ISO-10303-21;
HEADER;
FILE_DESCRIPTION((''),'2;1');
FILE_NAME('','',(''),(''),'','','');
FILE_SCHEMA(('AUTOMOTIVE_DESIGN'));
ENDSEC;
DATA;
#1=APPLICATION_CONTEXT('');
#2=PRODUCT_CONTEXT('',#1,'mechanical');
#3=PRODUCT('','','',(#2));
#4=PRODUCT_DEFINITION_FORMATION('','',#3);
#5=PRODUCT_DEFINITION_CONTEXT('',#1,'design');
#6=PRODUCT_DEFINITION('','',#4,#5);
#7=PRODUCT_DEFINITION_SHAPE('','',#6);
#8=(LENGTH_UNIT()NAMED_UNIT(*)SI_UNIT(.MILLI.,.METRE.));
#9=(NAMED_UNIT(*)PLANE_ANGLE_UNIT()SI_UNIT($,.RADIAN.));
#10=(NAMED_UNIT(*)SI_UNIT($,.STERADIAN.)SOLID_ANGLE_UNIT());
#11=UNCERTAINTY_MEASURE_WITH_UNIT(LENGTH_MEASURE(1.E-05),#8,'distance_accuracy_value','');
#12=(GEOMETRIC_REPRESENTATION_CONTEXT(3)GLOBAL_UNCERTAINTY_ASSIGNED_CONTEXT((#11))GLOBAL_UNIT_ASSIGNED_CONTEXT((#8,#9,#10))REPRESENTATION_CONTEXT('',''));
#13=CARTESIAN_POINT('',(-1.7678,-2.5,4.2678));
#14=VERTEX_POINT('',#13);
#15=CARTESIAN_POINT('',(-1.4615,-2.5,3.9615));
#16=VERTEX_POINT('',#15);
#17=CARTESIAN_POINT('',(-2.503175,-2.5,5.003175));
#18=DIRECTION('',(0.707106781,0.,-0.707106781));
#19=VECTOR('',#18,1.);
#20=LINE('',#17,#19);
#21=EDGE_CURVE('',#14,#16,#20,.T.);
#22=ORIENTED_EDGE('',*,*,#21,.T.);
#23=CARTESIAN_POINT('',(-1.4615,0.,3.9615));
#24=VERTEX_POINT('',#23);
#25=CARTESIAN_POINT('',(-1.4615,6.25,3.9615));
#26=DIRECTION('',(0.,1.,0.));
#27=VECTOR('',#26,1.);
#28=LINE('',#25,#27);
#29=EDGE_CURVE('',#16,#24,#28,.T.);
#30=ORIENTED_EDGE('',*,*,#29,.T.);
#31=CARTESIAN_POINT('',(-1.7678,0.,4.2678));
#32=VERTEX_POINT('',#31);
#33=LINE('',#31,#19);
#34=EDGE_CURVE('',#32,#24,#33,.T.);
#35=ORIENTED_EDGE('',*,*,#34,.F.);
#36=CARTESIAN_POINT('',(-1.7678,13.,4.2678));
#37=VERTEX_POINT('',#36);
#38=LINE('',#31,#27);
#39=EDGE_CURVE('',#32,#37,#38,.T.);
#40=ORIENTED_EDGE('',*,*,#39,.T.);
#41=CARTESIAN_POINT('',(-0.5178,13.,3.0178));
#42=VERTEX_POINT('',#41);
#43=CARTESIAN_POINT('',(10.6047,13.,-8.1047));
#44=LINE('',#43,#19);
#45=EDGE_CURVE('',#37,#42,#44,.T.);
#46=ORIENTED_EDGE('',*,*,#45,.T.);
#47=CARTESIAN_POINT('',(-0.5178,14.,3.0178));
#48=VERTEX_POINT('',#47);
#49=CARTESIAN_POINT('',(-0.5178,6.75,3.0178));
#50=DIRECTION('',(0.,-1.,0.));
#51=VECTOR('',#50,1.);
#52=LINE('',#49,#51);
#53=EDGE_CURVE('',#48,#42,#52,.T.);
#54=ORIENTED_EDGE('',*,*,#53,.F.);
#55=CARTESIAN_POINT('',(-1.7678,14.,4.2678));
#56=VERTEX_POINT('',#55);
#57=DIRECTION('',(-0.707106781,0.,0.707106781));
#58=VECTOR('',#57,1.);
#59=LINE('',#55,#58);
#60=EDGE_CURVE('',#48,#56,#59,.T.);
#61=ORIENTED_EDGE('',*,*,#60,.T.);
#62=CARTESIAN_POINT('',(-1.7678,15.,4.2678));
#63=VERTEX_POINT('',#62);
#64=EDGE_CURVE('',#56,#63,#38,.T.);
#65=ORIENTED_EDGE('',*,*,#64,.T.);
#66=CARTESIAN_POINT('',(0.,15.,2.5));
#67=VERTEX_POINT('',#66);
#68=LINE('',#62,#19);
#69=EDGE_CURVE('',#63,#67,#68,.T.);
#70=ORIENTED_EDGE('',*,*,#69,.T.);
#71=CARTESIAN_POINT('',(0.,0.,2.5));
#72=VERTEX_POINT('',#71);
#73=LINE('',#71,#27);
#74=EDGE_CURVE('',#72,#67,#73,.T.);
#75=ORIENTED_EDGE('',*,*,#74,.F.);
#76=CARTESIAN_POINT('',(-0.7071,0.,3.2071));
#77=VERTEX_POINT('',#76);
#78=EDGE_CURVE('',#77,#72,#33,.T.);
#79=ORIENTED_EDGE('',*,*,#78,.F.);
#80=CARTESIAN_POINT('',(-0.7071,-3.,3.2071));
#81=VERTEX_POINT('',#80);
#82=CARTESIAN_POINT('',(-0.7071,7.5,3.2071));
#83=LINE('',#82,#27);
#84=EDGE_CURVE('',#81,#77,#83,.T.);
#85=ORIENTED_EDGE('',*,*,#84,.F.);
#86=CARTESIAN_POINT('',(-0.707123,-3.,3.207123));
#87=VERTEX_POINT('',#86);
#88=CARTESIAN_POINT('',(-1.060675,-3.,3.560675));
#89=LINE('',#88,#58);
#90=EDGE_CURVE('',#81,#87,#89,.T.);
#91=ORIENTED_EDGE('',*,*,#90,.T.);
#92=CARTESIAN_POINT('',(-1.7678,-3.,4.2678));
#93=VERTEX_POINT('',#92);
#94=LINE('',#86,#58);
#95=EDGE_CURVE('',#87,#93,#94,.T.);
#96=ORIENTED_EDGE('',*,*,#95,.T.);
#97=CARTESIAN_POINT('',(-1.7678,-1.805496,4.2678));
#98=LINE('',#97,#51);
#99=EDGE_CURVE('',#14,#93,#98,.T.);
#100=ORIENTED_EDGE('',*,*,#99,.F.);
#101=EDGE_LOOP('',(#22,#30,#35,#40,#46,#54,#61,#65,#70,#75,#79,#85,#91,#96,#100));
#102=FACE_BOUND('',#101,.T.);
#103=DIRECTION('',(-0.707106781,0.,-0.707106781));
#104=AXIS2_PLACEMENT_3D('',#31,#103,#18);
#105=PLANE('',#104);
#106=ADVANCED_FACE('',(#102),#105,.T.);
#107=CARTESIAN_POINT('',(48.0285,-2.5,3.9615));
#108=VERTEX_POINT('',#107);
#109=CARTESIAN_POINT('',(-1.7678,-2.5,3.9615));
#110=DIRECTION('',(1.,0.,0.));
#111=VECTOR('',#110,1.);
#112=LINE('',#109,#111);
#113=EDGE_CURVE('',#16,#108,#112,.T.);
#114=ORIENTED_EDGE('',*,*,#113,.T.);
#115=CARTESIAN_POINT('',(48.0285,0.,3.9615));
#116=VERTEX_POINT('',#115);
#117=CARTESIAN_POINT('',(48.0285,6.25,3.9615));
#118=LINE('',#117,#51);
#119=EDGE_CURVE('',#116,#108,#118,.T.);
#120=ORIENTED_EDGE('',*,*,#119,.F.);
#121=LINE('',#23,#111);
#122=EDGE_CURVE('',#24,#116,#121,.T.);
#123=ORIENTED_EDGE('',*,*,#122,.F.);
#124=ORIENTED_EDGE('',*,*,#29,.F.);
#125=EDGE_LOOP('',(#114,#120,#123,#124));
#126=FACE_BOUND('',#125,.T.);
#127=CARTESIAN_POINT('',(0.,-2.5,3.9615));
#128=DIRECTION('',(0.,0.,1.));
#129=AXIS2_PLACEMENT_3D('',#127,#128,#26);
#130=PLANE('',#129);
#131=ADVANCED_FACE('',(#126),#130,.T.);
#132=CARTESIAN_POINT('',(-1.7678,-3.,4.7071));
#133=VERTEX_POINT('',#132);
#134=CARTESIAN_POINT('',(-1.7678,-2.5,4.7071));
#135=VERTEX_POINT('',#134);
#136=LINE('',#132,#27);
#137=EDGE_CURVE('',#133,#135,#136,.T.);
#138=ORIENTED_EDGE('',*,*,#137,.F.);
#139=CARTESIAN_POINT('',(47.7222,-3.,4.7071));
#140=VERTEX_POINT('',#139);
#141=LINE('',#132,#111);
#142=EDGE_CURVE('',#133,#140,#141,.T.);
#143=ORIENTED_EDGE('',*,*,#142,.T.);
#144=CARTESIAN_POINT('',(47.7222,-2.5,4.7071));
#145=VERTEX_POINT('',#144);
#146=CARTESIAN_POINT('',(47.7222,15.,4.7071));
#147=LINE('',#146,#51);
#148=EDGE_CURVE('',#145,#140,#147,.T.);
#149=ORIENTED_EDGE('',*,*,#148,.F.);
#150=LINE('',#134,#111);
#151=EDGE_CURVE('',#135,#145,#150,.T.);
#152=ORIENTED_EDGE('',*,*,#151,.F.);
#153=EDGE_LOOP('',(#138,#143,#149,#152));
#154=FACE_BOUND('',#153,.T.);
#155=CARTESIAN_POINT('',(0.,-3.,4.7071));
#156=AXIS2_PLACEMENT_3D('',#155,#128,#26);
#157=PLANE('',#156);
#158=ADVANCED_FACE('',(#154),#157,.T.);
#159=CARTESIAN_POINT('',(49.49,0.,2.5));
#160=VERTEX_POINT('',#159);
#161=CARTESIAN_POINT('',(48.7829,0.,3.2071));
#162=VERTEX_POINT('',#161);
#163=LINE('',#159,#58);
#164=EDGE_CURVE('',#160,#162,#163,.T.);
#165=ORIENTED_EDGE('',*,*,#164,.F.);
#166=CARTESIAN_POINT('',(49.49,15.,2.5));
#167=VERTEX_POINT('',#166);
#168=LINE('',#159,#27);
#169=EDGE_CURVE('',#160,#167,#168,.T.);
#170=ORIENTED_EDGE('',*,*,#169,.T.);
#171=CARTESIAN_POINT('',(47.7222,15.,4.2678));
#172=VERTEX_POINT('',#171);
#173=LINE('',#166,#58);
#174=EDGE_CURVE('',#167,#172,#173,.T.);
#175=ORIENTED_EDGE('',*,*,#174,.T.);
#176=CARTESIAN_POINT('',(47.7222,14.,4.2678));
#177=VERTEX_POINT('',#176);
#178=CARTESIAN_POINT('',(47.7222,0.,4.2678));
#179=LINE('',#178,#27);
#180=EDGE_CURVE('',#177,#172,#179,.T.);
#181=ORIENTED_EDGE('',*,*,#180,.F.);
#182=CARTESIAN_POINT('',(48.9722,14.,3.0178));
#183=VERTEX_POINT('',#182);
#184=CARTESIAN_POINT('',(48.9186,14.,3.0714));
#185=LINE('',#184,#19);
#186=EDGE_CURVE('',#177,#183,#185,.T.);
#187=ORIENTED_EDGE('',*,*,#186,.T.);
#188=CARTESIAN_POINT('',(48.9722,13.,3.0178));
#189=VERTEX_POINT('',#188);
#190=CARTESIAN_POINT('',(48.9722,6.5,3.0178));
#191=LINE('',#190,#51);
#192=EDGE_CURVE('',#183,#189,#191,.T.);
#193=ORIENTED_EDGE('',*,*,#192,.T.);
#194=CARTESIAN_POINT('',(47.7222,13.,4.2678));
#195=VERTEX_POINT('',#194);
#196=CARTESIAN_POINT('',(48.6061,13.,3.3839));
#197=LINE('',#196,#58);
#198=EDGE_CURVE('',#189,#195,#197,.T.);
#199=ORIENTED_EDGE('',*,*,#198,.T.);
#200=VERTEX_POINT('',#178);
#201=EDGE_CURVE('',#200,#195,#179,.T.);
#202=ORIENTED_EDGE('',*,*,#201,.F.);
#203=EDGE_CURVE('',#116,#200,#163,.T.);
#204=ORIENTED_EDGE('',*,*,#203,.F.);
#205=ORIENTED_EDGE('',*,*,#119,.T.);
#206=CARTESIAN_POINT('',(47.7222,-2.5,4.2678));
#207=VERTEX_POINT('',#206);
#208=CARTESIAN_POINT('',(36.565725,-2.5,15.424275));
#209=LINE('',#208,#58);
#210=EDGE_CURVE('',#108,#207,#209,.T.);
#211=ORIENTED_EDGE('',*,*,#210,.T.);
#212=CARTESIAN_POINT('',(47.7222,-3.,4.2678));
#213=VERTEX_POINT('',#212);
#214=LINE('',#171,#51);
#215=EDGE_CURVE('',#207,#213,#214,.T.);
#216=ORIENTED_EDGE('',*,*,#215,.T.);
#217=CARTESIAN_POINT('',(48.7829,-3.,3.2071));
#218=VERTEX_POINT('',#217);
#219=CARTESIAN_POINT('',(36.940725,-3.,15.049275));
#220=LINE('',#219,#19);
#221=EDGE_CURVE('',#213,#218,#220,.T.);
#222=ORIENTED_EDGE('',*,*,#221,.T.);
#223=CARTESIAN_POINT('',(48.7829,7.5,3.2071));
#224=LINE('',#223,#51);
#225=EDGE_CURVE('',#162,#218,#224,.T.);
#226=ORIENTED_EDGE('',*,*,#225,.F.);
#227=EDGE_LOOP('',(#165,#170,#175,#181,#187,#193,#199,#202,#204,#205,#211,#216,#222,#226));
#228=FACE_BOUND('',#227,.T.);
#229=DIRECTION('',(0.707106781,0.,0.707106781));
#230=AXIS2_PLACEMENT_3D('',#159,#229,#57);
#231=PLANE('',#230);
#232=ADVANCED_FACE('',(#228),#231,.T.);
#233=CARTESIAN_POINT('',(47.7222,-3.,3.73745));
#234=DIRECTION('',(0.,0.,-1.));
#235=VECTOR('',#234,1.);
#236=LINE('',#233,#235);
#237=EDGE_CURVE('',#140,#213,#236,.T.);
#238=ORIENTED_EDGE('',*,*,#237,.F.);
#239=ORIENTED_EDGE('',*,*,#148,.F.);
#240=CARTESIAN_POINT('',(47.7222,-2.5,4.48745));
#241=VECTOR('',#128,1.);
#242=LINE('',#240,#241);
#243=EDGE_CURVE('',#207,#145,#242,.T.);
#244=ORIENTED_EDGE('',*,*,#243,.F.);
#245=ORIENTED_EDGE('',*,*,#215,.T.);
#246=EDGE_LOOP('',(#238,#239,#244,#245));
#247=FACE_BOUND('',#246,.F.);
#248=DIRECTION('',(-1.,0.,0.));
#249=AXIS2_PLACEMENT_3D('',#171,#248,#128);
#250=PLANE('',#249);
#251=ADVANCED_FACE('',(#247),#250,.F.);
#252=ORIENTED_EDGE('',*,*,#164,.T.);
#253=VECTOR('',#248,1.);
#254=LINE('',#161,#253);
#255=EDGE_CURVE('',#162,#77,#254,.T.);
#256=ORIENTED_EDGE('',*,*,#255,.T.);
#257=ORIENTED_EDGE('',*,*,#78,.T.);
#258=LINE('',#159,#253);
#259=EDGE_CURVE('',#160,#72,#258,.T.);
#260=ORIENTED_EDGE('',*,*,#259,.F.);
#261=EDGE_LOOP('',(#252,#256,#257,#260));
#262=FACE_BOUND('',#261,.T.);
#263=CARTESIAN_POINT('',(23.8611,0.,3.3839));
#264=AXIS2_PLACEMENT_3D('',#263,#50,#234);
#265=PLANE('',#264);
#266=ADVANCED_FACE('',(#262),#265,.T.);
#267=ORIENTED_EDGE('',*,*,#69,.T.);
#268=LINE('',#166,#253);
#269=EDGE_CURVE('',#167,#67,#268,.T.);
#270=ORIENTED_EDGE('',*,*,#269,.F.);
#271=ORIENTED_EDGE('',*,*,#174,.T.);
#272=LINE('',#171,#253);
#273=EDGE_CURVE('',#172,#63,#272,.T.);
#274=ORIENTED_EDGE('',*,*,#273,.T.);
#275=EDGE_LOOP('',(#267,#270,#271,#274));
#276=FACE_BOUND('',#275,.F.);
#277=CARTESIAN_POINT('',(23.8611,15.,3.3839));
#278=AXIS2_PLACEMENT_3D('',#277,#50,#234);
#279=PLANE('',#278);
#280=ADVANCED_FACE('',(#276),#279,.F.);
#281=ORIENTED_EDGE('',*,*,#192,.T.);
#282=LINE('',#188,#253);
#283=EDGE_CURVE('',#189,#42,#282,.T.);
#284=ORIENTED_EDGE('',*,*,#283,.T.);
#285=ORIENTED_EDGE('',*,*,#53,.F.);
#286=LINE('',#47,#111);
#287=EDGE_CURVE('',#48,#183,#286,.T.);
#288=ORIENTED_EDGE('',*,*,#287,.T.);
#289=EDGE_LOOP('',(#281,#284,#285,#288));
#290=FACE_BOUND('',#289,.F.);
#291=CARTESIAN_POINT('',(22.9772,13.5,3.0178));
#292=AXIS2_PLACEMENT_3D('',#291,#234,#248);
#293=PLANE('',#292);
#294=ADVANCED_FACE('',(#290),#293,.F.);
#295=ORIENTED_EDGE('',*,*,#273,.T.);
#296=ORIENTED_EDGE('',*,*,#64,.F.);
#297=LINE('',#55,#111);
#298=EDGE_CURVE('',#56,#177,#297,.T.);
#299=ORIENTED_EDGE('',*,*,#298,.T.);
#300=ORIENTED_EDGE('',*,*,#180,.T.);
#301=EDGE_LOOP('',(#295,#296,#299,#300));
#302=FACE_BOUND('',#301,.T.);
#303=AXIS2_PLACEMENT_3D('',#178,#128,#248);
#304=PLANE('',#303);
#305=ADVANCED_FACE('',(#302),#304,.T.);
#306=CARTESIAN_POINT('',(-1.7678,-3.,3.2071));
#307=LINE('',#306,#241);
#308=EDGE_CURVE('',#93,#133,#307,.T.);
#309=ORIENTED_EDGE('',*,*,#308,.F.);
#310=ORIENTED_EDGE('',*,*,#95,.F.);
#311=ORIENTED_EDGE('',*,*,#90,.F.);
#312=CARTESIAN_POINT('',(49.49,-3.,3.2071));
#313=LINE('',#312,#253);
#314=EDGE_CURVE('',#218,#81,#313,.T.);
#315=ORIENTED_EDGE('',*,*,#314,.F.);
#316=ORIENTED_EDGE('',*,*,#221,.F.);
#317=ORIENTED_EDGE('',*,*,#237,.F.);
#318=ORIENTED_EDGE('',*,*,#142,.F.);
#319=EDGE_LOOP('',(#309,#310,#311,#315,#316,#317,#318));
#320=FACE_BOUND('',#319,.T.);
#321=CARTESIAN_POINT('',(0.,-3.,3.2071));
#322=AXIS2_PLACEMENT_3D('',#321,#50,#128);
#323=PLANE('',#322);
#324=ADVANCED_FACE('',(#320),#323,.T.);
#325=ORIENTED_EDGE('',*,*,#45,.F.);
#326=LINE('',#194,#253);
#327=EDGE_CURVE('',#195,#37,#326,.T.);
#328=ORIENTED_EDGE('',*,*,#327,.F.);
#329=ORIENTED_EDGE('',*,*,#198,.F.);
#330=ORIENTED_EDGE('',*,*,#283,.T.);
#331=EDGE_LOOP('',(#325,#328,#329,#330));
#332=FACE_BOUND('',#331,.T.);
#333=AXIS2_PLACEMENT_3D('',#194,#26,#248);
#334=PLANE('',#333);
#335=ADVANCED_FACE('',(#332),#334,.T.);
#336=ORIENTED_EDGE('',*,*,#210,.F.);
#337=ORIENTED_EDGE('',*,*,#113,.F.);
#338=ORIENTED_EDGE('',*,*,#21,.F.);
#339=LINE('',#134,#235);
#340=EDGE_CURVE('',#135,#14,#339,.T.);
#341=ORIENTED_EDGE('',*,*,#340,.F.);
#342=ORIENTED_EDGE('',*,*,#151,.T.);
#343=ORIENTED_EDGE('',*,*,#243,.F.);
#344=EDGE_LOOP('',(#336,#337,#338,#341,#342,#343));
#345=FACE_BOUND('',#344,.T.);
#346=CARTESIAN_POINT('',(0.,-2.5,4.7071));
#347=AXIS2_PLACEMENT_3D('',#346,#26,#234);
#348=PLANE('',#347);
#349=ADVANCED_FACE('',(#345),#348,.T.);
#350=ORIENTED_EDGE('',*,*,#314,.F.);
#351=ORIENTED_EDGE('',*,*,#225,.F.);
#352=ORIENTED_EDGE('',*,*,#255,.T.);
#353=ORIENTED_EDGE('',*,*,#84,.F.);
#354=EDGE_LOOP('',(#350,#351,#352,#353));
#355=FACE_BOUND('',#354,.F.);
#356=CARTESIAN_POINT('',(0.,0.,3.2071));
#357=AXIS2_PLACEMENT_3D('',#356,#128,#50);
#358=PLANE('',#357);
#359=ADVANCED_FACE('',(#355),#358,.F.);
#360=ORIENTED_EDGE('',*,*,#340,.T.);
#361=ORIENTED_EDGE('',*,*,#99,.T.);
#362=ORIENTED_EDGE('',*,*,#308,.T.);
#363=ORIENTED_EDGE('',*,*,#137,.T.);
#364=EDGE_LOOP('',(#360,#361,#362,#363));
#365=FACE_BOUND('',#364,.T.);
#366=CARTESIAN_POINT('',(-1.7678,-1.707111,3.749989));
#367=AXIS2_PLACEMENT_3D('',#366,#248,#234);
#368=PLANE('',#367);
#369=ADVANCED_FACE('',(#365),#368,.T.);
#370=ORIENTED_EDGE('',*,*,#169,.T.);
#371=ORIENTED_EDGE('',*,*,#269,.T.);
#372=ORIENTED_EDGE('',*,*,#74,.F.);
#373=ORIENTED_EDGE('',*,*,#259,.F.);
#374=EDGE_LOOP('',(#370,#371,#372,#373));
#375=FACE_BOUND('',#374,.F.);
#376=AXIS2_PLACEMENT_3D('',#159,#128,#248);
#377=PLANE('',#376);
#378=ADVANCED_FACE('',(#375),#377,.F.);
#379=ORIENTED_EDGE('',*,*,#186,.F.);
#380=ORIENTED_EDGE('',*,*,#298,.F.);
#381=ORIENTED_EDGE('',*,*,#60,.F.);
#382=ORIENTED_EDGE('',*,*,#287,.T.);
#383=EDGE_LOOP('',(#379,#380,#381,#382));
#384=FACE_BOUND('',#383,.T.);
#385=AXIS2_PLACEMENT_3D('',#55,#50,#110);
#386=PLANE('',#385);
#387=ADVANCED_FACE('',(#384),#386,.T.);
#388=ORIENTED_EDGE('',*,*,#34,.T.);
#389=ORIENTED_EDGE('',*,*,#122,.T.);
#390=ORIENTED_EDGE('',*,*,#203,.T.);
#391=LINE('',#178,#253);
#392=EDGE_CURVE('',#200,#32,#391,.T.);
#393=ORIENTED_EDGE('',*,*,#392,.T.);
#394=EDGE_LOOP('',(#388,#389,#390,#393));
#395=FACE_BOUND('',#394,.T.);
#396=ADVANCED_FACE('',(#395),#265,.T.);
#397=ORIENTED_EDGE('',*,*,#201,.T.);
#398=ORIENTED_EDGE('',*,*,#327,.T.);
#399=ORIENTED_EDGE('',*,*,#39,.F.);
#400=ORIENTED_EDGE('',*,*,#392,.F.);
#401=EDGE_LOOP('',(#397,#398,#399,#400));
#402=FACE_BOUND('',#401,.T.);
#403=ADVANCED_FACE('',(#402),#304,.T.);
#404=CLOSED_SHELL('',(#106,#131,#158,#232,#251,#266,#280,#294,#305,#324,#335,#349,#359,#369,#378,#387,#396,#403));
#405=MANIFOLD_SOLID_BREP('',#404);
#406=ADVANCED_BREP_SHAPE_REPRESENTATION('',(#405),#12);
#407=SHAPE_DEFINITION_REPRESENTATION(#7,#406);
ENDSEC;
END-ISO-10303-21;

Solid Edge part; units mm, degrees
sketch "Sketch1" plane through (0, 0, 0) normal (0, -1, 0) x (1, 0, 0)
  line L0 (47.7222, 4.2678) -> (-1.7678, 4.2678)
  line L1 (-1.7678, 4.2678) -> (0, 2.5)
  line L2 (49.49, 2.5) -> (0, 2.5)
  line L3 (49.49, 2.5) -> (47.7222, 4.2678)
extrude "Protrusion1" add sketch "Sketch1" against normal blind 15
sketch "Sketch2" plane through (22.9772, 7.5, 4.2678) normal (0, 0, 1) x (1, 0, 0)
  line L0 (-24.745, 5.5) -> (-24.745, 6.5)
  line L1 (-24.745, 6.5) -> (24.745, 6.5)
  line L2 (24.745, 6.5) -> (24.745, 5.5)
  line L3 (24.745, 5.5) -> (-24.745, 5.5)
extrude "Vyříznutí_1" cut sketch "Sketch2" against normal blind 1.25
sketch "Sketch3" plane through (47.7222, 13.5, 3.6428) normal (-1, 0, 0) x (0, 0, 1)
  line L0 (-0.625, 0.5) -> (0.625, 0.5)
  line L1 (0.625, 0.5) -> (0.625, -0.5)
  line L2 (0.625, -0.5) -> (-0.625, -0.5)
  line L3 (-0.625, -0.5) -> (-0.625, 0.5)
extrude "Vyříznutí_2" cut sketch "Sketch3" against normal blind 7.0597
sketch "Sketch4" plane through (0, 0, 0) normal (-1, 0, 0) x (0, -1, 0)
  line L0 (2.5, 3.9615) -> (0, 3.9615)
  line L1 (0, 3.9615) -> (0, 3.2071)
  line L2 (0, 3.2071) -> (3, 3.2071)
  line L3 (3, 3.2071) -> (3, 4.7071)
  line L4 (3, 4.7071) -> (2.5, 4.7071)
  line L5 (2.5, 4.7071) -> (2.5, 3.9615)
extrude "Vysunutí_2" add sketch "Sketch4" against normal blind 49.49
sketch "Sketch5" plane through (0, 0, 0) normal (-1, 0, 0) x (0, -1, 0)
  line L0 (2.5, 3.9615) -> (0, 3.9615)
  line L1 (0, 3.9615) -> (0, 3.2071)
  line L2 (0, 3.2071) -> (3, 3.2071)
  line L3 (3, 3.2071) -> (3, 4.7071)
  line L4 (3, 4.7071) -> (2.5, 4.7071)
  line L5 (2.5, 4.7071) -> (2.5, 3.9615)
extrude "Protrusion2" add sketch "Sketch5" along normal up to vertex (1.7678 mm away)
sketch "Sketch6" plane through (-0.8839, 7.5, 3.3839) normal (-0.7071, 0, -0.7071) x (0, -1, 0)
  line L0 (10.5, 2.29) -> (10, 2.29)
  line L1 (10, 2.29) -> (10, 0.5)
  line L2 (10, 0.5) -> (7.5, 0.5)
  line L3 (7.5, -0.25) -> (7.5, 0.5)
  line L4 (7.5, -0.25) -> (10.5, -0.25)
  line L5 (10.5, -0.25) -> (10.5, 2.29)
extrude "Vyříznutí_3" cut sketch "Sketch6" along normal blind 2.1617
sketch "Sketch7" plane through (23.8611, 15, 3.3839) normal (0, 1, 0) x (1, 0, 0)
  line L0 (-25.7842, 0.8839) -> (-25.6289, -0.8839)
  line L1 (-25.6289, -0.8839) -> (-23.8611, 0.8839)
  line L2 (-23.8611, 0.8839) -> (-25.7842, 0.8839)
  line L3 (23.8611, -1.3232) -> (25.6289, -1.3232)
  line L4 (25.6289, -1.3232) -> (25.6289, 0.8839)
  line L5 (25.6289, 0.8839) -> (23.8611, -0.8839)
  line L6 (23.8611, -0.8839) -> (23.8611, -1.3232)
extrude "Vyříznutí_5" cut sketch "Sketch7" against normal blind 20.1859
